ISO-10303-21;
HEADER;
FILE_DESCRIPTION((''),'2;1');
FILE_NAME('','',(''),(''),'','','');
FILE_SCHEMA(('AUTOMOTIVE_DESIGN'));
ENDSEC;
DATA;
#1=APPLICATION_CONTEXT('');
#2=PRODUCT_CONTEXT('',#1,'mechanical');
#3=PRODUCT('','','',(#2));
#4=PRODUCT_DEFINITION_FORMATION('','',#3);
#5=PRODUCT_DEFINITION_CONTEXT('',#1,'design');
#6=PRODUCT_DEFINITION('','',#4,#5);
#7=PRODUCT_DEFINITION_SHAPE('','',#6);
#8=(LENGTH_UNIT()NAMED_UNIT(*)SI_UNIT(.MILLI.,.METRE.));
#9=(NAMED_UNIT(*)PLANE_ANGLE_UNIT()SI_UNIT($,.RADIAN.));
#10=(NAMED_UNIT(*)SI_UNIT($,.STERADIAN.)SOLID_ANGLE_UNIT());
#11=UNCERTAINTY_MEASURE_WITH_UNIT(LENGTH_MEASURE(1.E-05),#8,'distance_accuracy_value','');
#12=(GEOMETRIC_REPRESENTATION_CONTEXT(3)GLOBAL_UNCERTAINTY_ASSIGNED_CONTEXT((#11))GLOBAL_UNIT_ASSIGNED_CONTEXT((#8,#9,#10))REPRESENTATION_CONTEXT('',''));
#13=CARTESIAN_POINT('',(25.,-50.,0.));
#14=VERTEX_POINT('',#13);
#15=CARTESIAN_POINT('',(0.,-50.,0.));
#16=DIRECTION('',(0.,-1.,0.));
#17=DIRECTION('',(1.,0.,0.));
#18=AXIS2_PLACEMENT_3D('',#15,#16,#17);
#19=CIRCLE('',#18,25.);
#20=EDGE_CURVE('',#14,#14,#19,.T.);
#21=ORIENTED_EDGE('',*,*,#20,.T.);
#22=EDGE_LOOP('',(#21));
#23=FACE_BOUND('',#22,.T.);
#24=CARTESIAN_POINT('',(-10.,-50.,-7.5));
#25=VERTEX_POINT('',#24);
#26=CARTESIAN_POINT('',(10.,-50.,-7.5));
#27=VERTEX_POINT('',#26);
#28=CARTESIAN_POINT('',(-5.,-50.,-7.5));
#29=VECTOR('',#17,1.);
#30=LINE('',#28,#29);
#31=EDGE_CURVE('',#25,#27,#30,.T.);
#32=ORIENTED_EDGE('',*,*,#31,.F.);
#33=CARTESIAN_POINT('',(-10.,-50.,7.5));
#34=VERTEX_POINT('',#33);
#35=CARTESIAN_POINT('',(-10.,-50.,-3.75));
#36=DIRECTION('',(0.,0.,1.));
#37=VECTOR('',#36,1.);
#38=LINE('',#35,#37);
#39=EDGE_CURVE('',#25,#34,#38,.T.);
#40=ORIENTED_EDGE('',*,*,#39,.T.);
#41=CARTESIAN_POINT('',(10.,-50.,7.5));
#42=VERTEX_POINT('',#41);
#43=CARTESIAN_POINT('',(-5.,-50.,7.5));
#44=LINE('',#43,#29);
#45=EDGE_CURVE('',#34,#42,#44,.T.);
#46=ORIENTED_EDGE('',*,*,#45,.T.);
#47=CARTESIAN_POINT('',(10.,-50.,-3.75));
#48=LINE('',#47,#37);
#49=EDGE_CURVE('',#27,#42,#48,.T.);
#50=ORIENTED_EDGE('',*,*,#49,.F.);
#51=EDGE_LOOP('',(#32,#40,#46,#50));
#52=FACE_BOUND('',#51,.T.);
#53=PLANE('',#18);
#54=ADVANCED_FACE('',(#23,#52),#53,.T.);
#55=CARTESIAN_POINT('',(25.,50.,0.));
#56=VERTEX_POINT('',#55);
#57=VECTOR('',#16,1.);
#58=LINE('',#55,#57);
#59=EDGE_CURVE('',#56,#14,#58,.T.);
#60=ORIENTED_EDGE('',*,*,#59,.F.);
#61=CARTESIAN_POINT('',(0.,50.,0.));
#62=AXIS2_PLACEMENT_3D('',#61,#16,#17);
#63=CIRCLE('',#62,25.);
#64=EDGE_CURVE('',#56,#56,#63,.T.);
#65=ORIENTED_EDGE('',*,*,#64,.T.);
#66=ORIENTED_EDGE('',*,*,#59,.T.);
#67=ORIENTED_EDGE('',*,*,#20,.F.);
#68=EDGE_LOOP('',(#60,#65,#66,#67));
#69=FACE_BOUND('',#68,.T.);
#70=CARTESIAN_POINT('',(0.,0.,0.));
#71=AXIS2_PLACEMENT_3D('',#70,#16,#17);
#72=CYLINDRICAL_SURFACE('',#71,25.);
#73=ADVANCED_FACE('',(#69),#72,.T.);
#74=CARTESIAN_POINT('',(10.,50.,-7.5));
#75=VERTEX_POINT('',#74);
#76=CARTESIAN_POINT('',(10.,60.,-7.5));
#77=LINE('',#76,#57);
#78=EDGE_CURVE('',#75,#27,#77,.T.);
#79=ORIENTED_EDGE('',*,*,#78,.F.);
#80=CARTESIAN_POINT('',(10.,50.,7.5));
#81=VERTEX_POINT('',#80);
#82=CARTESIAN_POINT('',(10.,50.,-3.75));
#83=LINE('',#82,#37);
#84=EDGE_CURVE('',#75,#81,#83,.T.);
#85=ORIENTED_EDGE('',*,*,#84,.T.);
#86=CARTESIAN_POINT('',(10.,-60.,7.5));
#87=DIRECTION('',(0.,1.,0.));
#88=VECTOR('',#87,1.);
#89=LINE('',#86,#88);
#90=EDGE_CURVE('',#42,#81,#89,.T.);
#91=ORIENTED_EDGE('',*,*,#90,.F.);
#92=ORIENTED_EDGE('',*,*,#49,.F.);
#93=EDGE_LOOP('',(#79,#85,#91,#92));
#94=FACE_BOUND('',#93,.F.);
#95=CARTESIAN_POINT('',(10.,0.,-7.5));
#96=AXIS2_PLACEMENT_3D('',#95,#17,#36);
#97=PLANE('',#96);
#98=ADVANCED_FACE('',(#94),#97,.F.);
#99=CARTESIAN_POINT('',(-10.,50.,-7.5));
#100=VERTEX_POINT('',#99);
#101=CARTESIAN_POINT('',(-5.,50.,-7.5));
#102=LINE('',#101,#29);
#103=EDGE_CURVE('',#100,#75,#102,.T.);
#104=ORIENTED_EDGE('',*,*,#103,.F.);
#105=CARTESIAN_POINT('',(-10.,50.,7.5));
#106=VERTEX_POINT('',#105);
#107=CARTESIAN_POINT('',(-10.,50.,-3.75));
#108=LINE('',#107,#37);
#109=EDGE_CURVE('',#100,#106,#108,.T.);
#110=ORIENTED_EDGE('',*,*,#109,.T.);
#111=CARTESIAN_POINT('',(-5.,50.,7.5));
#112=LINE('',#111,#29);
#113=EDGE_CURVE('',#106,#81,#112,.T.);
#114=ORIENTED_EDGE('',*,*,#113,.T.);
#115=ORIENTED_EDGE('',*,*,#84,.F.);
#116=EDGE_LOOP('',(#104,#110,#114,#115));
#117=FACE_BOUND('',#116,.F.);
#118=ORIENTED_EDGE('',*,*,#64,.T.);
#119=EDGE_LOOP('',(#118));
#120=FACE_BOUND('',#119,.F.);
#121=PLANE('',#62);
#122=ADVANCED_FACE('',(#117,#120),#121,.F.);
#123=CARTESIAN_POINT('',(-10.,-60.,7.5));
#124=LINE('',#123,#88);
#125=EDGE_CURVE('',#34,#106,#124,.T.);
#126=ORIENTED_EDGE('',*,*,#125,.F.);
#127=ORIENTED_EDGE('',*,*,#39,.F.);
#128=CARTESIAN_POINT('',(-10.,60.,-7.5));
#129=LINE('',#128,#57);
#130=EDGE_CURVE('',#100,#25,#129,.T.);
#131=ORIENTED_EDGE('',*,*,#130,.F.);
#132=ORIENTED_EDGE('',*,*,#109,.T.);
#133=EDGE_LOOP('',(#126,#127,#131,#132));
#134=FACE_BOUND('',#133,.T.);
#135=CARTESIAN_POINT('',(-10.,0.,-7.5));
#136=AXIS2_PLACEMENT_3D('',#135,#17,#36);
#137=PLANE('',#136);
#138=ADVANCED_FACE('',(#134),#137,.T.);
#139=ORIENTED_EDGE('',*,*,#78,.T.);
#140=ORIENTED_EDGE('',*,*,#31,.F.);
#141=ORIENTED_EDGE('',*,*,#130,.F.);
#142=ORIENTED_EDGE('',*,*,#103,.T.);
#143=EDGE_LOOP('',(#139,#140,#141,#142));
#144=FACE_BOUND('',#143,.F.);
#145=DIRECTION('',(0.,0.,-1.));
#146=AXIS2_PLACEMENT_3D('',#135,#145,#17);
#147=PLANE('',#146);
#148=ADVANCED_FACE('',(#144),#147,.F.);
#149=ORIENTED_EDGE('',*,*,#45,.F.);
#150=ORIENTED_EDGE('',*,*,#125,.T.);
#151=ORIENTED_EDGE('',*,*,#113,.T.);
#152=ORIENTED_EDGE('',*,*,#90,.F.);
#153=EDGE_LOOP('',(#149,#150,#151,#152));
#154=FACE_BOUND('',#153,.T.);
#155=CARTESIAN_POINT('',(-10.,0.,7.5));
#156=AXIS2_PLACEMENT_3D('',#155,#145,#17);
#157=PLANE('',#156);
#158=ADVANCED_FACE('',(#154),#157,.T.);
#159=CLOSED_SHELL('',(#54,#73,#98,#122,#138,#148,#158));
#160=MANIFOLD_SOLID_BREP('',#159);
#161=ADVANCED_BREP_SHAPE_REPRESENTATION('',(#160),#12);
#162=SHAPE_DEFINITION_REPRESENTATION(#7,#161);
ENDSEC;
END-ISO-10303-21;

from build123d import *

# Parameters (mm, degrees)
F0_R     = 25
F1_DEPTH = 50
F2_W     = 20
F2_H     = 15
F3_DEPTH = 60


with BuildPart() as f1:
    # F0 (on Front) → F1 (new body, symmetric)
    with BuildSketch(Plane.XZ):
        Circle(F0_R)
    extrude(amount=F1_DEPTH, both=True)

    # F2 (on Front) → F3 (cut, symmetric)
    with BuildSketch(Plane.XZ):
        Rectangle(F2_W, F2_H)
    extrude(amount=F3_DEPTH, both=True, mode=Mode.SUBTRACT)


solid = f1.part
